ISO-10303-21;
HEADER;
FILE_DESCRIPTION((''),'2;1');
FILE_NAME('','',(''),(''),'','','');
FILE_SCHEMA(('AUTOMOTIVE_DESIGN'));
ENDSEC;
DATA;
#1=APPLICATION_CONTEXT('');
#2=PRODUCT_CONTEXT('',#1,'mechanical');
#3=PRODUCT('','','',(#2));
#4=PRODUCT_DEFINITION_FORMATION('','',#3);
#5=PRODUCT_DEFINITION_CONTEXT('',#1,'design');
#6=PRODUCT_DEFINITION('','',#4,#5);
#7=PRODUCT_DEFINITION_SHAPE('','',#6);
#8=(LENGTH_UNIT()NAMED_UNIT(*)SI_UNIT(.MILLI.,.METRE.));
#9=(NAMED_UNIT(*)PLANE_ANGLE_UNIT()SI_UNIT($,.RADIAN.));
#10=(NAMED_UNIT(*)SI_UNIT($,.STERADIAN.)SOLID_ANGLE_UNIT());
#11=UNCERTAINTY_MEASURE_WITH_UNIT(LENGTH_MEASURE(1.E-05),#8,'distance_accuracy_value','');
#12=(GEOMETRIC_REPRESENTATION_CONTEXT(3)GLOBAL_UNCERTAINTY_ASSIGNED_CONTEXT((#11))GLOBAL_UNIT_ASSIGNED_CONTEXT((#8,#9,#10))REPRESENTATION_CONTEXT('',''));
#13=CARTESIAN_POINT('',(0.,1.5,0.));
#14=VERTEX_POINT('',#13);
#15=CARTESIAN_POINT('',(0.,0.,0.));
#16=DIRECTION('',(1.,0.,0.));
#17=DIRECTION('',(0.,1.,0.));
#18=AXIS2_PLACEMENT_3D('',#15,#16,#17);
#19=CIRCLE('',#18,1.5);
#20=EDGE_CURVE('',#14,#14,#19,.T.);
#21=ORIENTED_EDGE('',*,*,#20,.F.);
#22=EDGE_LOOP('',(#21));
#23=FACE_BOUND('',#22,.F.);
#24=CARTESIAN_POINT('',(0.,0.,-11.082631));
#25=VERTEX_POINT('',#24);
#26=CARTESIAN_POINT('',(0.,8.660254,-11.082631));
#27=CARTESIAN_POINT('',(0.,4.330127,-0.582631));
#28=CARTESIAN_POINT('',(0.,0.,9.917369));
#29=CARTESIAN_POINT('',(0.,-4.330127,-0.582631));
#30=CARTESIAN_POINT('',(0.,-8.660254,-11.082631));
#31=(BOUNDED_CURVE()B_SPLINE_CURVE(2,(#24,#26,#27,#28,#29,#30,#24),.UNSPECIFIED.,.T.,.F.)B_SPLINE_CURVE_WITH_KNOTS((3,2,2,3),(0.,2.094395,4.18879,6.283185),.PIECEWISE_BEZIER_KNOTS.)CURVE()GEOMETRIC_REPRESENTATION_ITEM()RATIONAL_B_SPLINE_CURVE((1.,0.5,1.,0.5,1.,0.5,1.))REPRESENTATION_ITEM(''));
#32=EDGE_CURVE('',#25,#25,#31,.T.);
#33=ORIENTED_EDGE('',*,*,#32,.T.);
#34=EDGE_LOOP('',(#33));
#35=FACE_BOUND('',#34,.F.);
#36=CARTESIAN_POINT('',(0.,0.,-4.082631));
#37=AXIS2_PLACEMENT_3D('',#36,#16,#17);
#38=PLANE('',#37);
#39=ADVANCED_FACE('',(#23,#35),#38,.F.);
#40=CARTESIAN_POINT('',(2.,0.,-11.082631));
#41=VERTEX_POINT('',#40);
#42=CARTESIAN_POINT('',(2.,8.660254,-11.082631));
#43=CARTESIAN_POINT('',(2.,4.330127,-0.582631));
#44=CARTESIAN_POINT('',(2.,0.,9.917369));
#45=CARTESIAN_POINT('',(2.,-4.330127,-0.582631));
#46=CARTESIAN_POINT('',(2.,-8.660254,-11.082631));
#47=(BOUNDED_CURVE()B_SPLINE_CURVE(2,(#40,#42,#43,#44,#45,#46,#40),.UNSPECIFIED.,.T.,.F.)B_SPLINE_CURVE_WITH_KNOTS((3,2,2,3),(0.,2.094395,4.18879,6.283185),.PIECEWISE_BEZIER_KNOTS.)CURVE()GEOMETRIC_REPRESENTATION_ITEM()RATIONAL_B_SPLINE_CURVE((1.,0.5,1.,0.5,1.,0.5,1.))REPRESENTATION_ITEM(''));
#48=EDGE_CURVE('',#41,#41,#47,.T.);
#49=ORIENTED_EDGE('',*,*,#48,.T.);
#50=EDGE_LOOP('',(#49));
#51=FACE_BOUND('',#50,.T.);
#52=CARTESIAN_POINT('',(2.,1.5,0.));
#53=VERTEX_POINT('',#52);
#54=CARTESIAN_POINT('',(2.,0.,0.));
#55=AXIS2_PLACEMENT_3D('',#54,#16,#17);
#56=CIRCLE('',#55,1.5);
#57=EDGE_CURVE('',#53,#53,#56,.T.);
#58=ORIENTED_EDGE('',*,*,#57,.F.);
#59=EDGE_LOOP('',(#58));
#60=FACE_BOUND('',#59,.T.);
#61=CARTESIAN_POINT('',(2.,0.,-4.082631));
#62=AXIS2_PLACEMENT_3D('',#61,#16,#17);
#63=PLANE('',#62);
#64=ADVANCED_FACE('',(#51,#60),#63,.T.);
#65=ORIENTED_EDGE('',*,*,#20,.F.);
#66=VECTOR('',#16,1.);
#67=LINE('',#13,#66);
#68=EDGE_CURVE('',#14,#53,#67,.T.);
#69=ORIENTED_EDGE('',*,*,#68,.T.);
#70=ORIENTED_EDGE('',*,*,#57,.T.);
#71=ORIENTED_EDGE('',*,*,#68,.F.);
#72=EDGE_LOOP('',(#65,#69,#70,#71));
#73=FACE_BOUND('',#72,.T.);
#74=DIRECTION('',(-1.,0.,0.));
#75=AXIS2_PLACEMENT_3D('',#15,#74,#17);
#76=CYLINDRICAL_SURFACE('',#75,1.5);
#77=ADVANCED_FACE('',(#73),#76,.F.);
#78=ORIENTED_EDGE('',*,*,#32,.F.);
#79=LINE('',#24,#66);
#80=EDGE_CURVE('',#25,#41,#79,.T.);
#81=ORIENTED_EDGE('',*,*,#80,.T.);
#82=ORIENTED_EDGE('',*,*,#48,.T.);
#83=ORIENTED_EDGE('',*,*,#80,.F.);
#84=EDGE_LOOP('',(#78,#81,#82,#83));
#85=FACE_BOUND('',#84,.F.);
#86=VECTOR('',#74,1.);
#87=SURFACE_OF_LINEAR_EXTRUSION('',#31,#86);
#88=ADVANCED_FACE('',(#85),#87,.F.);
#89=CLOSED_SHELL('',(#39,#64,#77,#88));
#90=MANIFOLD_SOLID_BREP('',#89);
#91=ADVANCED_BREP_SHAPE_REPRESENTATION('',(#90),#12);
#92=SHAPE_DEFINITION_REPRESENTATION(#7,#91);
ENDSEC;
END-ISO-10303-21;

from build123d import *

# Parameters (mm, degrees)
F0_R     = 1.5
F1_DEPTH = 2


with BuildPart() as f1:
    # F0 (on Right) → F1 (new body)
    with BuildSketch(Plane.YZ):
        with BuildLine():
            add(Edge.make_bspline(
                [(0, -11.082631), (8.660254, -11.082631), (4.330127, -0.582631), (0, 9.917369), (-4.330127, -0.582631), (-8.660254, -11.082631), (0, -11.082631)],
                knots=[0, 0, 0, 2.094395, 2.094395, 4.18879, 4.18879, 6.283185, 6.283185, 6.283185], degree=2, weights=[1, 0.5, 1, 0.5, 1, 0.5, 1]))
        make_face()
        Circle(F0_R, mode=Mode.SUBTRACT)
    extrude(amount=F1_DEPTH)


solid = f1.part
